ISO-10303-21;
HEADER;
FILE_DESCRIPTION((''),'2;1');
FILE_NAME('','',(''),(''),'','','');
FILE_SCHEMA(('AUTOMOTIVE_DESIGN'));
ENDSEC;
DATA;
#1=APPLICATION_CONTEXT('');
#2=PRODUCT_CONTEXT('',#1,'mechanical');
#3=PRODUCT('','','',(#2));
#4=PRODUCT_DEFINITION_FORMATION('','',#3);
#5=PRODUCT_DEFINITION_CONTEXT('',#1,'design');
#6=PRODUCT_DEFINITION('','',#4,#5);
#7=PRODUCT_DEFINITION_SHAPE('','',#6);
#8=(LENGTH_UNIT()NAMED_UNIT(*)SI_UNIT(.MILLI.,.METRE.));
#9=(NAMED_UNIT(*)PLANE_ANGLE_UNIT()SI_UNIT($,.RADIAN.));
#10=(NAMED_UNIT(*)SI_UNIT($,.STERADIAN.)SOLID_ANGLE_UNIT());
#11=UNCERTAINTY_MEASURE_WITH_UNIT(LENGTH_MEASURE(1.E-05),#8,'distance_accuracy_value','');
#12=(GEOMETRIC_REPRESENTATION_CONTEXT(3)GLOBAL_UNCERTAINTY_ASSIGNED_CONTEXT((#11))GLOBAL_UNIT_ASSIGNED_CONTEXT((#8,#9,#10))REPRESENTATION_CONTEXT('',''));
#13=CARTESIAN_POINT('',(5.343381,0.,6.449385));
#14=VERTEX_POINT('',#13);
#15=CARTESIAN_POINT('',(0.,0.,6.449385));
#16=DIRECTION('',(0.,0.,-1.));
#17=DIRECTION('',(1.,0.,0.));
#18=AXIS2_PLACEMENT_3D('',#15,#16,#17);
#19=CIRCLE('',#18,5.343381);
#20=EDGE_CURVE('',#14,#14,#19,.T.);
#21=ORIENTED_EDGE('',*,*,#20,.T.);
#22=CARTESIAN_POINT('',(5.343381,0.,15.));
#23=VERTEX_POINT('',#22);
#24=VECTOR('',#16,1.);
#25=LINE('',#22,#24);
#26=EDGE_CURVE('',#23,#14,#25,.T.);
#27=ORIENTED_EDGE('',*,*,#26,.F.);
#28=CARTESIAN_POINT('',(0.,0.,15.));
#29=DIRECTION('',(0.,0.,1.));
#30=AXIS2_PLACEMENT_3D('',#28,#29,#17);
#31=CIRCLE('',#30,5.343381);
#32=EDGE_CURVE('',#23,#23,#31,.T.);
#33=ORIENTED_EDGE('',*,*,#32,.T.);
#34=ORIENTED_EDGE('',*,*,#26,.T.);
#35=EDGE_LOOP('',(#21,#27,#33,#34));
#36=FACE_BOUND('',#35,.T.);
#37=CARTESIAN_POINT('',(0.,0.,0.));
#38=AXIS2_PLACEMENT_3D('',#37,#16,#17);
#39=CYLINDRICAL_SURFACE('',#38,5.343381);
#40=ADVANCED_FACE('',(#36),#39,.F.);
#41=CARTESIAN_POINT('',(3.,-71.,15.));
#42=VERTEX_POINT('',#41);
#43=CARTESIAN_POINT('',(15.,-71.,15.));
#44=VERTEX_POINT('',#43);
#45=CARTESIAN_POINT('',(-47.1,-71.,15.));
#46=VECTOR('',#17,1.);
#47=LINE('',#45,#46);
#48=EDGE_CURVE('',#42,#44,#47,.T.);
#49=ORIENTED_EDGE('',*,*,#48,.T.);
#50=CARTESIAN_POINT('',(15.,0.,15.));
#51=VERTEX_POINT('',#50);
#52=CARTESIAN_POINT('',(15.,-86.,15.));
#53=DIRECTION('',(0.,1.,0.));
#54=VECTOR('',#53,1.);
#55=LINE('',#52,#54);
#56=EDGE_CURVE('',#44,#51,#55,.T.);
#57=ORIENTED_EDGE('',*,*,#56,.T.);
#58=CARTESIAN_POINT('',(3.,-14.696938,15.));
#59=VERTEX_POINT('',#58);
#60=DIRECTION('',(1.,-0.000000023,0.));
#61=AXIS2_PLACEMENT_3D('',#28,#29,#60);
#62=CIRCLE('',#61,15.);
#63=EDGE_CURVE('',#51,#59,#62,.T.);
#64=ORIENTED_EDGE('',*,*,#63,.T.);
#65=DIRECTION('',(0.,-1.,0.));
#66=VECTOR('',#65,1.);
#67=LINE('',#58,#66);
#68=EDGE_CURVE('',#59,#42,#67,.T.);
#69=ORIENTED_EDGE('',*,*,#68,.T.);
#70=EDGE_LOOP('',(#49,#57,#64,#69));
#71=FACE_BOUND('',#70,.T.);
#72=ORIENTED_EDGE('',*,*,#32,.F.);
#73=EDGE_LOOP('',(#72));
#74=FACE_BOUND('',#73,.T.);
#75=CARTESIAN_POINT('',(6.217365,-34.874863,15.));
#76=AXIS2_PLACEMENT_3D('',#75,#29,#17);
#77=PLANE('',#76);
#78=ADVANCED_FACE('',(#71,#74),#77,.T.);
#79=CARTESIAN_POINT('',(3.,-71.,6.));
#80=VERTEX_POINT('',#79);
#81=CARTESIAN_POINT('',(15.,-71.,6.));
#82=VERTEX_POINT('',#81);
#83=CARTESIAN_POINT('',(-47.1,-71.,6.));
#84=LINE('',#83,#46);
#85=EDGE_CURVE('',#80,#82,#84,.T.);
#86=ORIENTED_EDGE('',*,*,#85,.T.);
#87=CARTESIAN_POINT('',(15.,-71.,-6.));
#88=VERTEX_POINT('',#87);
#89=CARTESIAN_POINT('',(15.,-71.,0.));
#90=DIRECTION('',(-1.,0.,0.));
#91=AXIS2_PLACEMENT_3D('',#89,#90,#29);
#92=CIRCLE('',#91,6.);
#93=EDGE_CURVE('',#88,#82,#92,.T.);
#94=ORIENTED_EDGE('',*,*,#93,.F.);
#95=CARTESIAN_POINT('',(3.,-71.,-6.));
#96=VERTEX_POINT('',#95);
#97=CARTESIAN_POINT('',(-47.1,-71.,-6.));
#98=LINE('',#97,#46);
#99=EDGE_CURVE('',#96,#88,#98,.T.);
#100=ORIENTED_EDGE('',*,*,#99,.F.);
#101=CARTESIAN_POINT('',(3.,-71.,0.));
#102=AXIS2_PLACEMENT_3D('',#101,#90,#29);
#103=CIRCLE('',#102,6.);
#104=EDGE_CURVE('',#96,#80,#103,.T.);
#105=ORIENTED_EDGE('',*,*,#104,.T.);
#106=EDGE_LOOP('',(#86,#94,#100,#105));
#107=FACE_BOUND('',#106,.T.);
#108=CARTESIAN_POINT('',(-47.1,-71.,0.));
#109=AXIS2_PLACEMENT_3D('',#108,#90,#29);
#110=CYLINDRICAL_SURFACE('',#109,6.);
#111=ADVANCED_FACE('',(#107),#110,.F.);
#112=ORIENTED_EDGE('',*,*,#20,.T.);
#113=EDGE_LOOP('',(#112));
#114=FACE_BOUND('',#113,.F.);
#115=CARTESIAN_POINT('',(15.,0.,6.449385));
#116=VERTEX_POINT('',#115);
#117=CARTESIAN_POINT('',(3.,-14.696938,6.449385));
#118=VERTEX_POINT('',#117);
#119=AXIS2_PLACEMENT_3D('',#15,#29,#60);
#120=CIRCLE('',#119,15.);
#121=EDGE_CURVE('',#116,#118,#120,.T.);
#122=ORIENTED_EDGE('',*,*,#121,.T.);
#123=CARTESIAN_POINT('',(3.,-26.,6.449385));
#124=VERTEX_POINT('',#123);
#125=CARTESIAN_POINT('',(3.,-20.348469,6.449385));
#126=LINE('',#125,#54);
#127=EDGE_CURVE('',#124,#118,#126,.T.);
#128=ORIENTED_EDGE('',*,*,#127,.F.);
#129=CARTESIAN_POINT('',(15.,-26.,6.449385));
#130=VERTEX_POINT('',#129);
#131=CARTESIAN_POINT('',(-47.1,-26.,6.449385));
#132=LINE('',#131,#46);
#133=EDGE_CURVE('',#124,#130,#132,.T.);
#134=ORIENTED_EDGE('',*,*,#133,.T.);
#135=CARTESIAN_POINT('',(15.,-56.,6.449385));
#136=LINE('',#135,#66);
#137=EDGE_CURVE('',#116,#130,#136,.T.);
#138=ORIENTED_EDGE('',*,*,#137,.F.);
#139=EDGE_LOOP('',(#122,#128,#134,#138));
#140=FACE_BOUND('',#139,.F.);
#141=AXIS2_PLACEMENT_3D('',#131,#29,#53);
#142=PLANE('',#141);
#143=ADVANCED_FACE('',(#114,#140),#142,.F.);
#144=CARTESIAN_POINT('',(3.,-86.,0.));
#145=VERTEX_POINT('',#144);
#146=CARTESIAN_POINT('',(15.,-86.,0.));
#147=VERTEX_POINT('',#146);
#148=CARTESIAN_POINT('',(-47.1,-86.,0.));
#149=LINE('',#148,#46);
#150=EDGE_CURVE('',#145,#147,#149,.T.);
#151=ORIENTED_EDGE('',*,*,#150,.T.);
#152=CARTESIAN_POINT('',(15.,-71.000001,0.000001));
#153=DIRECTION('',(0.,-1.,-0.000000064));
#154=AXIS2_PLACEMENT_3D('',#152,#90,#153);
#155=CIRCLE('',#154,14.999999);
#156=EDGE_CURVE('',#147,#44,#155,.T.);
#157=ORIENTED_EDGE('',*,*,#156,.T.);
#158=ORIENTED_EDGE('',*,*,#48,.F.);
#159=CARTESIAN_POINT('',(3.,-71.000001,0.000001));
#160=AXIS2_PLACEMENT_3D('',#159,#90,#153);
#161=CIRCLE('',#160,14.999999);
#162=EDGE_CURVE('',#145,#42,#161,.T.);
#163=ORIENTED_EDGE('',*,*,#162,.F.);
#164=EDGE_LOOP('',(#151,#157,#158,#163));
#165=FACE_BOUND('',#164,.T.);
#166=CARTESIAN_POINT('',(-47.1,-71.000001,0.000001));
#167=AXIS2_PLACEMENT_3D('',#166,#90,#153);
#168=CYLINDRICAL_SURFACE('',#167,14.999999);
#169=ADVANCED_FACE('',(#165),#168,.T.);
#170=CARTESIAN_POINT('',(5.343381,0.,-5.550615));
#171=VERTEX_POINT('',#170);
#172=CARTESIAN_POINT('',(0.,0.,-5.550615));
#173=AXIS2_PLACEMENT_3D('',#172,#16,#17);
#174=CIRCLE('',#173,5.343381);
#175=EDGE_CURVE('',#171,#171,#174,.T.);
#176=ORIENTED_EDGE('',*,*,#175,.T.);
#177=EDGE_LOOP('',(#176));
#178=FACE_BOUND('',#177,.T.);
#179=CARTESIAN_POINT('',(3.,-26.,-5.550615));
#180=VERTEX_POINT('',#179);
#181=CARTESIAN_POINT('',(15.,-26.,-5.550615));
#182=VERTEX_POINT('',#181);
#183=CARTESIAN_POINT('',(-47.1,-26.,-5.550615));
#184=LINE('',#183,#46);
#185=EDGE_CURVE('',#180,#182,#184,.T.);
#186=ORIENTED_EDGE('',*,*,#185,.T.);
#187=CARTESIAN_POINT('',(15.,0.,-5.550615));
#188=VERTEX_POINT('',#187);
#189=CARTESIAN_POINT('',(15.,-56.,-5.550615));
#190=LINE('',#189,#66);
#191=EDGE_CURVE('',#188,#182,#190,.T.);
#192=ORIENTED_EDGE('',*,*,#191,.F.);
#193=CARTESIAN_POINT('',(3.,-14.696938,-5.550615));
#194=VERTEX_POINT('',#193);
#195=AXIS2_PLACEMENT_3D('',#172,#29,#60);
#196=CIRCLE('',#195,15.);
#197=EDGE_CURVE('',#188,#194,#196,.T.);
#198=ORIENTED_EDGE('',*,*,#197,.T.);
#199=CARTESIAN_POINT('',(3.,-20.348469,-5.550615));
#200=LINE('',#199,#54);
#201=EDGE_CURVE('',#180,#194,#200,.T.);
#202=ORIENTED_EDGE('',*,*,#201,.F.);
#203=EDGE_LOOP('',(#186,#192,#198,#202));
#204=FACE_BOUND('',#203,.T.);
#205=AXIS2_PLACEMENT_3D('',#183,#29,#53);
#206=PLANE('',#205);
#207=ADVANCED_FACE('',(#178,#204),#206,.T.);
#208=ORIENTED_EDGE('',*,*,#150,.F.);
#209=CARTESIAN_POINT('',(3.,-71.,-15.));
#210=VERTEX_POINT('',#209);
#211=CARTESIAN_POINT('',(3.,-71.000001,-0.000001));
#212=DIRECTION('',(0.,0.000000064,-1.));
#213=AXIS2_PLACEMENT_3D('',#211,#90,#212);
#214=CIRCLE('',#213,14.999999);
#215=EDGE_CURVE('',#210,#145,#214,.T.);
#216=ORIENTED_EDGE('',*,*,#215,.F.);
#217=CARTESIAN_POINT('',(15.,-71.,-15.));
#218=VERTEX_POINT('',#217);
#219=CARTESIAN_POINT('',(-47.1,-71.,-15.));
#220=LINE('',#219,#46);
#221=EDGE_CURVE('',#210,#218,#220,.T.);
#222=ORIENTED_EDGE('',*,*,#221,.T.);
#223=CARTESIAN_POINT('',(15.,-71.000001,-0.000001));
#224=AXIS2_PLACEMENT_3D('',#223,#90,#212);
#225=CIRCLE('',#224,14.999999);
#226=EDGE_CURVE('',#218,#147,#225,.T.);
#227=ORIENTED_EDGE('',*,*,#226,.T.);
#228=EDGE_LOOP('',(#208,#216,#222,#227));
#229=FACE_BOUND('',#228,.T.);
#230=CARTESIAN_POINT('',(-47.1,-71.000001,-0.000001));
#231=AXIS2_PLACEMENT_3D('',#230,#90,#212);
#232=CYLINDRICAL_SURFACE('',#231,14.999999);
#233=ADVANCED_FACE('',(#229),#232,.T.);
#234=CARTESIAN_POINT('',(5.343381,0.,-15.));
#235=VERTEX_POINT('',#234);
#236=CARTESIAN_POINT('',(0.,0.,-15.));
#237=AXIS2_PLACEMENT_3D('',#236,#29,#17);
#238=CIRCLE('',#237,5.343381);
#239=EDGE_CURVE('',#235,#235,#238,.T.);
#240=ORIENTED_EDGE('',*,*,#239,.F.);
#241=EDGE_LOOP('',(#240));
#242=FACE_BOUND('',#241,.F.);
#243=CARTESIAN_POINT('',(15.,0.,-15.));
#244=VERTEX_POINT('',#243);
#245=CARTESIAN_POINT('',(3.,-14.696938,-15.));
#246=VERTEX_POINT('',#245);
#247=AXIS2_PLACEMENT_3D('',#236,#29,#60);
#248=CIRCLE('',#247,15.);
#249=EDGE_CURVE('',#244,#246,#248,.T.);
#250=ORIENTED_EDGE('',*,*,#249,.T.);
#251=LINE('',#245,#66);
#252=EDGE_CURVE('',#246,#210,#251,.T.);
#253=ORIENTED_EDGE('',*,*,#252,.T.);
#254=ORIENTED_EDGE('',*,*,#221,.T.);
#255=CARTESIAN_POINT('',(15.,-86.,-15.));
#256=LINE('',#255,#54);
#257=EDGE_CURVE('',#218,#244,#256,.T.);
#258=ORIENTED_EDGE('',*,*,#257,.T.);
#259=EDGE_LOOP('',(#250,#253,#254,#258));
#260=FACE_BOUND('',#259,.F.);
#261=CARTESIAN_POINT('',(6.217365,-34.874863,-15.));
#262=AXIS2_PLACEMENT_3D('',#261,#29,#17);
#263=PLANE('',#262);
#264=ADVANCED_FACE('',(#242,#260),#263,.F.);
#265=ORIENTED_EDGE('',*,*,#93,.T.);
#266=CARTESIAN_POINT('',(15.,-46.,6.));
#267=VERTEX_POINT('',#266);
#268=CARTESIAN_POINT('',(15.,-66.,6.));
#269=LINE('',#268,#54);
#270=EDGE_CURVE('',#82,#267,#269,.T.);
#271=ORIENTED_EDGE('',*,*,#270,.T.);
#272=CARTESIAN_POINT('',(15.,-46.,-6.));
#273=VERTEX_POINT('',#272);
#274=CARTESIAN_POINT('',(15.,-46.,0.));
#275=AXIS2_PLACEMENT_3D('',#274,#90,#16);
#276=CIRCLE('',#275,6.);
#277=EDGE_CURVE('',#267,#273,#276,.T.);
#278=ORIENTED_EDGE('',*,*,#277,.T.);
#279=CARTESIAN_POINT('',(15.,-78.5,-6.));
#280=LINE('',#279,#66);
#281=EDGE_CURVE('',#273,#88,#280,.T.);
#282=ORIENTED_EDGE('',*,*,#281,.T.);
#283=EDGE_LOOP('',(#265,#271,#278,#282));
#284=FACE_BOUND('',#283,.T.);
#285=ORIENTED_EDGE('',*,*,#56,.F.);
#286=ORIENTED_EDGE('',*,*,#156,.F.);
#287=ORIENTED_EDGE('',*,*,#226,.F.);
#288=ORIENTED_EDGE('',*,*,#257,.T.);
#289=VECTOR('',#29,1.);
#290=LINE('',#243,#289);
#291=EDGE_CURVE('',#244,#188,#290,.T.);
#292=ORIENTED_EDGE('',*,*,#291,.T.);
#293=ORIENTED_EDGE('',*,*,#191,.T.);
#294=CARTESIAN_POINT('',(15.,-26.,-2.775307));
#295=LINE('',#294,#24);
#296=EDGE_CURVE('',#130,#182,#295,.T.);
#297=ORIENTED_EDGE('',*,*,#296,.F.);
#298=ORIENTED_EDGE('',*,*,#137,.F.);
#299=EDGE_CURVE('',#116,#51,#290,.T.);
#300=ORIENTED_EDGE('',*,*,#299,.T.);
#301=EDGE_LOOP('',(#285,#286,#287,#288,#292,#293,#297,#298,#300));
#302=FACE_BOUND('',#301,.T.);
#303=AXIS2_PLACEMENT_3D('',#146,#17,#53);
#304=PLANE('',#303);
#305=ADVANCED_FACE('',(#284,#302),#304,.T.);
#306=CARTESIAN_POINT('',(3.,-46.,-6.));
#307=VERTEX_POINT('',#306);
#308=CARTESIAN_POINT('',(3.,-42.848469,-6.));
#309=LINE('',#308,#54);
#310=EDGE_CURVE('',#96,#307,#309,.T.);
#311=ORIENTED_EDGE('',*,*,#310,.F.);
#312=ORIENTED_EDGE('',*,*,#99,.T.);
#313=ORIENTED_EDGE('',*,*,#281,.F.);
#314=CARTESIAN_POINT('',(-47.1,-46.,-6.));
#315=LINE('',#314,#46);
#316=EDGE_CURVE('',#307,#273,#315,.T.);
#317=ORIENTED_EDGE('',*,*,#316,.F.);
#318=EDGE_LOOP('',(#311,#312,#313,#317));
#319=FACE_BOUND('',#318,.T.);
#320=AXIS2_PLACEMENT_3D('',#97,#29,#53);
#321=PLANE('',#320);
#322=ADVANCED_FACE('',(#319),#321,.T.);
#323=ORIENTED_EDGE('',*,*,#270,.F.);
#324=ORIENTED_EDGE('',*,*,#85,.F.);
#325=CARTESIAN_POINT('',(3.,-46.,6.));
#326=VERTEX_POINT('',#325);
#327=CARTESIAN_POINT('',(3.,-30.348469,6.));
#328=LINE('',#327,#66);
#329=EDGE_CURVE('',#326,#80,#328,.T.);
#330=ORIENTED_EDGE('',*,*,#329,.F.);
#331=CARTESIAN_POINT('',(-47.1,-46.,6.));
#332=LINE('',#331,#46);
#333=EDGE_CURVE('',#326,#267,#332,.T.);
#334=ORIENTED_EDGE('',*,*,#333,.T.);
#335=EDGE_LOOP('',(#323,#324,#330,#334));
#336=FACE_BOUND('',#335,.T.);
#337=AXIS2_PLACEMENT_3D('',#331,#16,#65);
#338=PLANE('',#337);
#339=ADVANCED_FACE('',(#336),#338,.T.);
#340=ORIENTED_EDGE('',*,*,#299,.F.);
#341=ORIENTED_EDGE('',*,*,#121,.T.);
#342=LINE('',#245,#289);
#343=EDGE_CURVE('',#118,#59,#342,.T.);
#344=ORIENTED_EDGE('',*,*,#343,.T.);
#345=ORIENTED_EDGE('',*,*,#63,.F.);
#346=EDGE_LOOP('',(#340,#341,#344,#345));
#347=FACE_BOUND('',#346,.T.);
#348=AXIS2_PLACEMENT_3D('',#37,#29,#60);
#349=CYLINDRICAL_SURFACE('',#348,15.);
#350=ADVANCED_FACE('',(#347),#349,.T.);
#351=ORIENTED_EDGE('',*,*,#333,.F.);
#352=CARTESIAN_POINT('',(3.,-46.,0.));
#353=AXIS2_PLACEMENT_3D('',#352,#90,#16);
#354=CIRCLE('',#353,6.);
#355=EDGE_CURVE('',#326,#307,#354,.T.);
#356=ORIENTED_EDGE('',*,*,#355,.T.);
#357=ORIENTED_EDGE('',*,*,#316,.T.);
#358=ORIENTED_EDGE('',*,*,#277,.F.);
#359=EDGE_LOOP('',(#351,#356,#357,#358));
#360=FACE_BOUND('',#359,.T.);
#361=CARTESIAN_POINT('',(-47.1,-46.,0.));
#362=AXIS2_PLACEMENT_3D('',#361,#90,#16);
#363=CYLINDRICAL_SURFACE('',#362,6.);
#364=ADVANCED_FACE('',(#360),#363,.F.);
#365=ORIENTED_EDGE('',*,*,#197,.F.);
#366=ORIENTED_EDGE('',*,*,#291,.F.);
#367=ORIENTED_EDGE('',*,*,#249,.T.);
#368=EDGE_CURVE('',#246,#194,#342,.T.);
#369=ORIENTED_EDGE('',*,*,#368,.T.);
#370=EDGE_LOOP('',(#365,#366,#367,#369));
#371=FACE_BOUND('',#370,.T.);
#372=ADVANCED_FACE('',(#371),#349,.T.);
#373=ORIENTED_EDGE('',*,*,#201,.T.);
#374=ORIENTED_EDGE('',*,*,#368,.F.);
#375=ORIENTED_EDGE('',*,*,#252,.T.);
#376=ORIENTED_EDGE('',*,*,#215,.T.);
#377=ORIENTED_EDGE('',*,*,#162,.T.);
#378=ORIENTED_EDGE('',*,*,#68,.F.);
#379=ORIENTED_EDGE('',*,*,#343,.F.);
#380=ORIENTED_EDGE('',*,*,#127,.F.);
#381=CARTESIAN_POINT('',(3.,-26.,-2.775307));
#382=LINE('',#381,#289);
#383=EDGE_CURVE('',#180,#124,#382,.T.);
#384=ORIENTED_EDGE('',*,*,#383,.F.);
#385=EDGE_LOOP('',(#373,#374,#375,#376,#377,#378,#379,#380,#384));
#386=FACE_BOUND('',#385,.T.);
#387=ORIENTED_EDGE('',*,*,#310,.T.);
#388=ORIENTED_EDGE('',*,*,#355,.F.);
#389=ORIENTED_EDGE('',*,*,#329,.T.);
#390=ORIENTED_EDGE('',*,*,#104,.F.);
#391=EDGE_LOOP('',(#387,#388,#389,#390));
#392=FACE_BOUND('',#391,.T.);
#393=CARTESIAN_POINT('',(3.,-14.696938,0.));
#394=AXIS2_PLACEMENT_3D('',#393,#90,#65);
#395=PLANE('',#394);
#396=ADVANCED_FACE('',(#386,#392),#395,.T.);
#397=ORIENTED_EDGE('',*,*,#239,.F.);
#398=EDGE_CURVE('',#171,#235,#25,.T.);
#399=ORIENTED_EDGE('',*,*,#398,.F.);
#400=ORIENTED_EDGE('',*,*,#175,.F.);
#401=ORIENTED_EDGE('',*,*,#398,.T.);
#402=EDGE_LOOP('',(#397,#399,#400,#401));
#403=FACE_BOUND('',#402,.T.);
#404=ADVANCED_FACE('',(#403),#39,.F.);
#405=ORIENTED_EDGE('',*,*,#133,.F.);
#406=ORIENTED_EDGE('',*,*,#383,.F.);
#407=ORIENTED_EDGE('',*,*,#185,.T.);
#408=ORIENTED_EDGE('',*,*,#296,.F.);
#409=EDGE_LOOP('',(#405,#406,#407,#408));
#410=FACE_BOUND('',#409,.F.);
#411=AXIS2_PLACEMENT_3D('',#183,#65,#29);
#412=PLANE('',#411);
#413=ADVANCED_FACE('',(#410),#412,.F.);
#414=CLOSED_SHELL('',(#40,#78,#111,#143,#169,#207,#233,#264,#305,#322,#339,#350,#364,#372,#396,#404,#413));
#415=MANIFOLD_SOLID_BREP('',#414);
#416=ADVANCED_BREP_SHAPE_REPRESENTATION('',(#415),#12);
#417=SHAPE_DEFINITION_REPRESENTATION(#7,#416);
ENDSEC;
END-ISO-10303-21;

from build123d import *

# Parameters (mm, degrees)
F0_R     = 5.343381
F1_DEPTH = 15
F3_W     = 41
F3_H     = 12
F4_DEPTH = 62.101


with BuildPart() as f1:
    # F0 (on Top) → F1 (new body, symmetric)
    with BuildSketch(Plane.XY):
        with BuildLine():
            Line((15, -86), (15, 0))
            ThreePointArc((15, 0), (-11.61895, 9.486833), (3, -14.696938))
            Line((3, -14.696938), (3, -86))
            Line((3, -86), (15, -86))
        make_face()
        Circle(F0_R, mode=Mode.SUBTRACT)
    extrude(amount=F1_DEPTH, both=True)

    # F3 (on offset) → F4 (cut, through all)
    with BuildSketch(Plane.YZ.offset(-47.1)):
        with Locations((-5.5, 0.449385)):
            Rectangle(F3_W, F3_H)
        with BuildLine():
            Line((-71, -6), (-46, -6))
            ThreePointArc((-46, -6), (-40, 0), (-46, 6))
            Line((-46, 6), (-71, 6))
            ThreePointArc((-71, 6), (-77, 0), (-71, -6))
        make_face()
        with BuildLine():
            Line((-86, -15), (-71, -15))
            ThreePointArc((-71, -15), (-81.606602, -10.606602), (-86, 0))
            Line((-86, 0), (-86, -15))
        make_face()
        with BuildLine():
            Line((-86, 15), (-86, 0))
            ThreePointArc((-86, 0), (-81.606602, 10.606602), (-71, 15))
            Line((-71, 15), (-86, 15))
        make_face()
    extrude(amount=F4_DEPTH, mode=Mode.SUBTRACT)


solid = f1.part
